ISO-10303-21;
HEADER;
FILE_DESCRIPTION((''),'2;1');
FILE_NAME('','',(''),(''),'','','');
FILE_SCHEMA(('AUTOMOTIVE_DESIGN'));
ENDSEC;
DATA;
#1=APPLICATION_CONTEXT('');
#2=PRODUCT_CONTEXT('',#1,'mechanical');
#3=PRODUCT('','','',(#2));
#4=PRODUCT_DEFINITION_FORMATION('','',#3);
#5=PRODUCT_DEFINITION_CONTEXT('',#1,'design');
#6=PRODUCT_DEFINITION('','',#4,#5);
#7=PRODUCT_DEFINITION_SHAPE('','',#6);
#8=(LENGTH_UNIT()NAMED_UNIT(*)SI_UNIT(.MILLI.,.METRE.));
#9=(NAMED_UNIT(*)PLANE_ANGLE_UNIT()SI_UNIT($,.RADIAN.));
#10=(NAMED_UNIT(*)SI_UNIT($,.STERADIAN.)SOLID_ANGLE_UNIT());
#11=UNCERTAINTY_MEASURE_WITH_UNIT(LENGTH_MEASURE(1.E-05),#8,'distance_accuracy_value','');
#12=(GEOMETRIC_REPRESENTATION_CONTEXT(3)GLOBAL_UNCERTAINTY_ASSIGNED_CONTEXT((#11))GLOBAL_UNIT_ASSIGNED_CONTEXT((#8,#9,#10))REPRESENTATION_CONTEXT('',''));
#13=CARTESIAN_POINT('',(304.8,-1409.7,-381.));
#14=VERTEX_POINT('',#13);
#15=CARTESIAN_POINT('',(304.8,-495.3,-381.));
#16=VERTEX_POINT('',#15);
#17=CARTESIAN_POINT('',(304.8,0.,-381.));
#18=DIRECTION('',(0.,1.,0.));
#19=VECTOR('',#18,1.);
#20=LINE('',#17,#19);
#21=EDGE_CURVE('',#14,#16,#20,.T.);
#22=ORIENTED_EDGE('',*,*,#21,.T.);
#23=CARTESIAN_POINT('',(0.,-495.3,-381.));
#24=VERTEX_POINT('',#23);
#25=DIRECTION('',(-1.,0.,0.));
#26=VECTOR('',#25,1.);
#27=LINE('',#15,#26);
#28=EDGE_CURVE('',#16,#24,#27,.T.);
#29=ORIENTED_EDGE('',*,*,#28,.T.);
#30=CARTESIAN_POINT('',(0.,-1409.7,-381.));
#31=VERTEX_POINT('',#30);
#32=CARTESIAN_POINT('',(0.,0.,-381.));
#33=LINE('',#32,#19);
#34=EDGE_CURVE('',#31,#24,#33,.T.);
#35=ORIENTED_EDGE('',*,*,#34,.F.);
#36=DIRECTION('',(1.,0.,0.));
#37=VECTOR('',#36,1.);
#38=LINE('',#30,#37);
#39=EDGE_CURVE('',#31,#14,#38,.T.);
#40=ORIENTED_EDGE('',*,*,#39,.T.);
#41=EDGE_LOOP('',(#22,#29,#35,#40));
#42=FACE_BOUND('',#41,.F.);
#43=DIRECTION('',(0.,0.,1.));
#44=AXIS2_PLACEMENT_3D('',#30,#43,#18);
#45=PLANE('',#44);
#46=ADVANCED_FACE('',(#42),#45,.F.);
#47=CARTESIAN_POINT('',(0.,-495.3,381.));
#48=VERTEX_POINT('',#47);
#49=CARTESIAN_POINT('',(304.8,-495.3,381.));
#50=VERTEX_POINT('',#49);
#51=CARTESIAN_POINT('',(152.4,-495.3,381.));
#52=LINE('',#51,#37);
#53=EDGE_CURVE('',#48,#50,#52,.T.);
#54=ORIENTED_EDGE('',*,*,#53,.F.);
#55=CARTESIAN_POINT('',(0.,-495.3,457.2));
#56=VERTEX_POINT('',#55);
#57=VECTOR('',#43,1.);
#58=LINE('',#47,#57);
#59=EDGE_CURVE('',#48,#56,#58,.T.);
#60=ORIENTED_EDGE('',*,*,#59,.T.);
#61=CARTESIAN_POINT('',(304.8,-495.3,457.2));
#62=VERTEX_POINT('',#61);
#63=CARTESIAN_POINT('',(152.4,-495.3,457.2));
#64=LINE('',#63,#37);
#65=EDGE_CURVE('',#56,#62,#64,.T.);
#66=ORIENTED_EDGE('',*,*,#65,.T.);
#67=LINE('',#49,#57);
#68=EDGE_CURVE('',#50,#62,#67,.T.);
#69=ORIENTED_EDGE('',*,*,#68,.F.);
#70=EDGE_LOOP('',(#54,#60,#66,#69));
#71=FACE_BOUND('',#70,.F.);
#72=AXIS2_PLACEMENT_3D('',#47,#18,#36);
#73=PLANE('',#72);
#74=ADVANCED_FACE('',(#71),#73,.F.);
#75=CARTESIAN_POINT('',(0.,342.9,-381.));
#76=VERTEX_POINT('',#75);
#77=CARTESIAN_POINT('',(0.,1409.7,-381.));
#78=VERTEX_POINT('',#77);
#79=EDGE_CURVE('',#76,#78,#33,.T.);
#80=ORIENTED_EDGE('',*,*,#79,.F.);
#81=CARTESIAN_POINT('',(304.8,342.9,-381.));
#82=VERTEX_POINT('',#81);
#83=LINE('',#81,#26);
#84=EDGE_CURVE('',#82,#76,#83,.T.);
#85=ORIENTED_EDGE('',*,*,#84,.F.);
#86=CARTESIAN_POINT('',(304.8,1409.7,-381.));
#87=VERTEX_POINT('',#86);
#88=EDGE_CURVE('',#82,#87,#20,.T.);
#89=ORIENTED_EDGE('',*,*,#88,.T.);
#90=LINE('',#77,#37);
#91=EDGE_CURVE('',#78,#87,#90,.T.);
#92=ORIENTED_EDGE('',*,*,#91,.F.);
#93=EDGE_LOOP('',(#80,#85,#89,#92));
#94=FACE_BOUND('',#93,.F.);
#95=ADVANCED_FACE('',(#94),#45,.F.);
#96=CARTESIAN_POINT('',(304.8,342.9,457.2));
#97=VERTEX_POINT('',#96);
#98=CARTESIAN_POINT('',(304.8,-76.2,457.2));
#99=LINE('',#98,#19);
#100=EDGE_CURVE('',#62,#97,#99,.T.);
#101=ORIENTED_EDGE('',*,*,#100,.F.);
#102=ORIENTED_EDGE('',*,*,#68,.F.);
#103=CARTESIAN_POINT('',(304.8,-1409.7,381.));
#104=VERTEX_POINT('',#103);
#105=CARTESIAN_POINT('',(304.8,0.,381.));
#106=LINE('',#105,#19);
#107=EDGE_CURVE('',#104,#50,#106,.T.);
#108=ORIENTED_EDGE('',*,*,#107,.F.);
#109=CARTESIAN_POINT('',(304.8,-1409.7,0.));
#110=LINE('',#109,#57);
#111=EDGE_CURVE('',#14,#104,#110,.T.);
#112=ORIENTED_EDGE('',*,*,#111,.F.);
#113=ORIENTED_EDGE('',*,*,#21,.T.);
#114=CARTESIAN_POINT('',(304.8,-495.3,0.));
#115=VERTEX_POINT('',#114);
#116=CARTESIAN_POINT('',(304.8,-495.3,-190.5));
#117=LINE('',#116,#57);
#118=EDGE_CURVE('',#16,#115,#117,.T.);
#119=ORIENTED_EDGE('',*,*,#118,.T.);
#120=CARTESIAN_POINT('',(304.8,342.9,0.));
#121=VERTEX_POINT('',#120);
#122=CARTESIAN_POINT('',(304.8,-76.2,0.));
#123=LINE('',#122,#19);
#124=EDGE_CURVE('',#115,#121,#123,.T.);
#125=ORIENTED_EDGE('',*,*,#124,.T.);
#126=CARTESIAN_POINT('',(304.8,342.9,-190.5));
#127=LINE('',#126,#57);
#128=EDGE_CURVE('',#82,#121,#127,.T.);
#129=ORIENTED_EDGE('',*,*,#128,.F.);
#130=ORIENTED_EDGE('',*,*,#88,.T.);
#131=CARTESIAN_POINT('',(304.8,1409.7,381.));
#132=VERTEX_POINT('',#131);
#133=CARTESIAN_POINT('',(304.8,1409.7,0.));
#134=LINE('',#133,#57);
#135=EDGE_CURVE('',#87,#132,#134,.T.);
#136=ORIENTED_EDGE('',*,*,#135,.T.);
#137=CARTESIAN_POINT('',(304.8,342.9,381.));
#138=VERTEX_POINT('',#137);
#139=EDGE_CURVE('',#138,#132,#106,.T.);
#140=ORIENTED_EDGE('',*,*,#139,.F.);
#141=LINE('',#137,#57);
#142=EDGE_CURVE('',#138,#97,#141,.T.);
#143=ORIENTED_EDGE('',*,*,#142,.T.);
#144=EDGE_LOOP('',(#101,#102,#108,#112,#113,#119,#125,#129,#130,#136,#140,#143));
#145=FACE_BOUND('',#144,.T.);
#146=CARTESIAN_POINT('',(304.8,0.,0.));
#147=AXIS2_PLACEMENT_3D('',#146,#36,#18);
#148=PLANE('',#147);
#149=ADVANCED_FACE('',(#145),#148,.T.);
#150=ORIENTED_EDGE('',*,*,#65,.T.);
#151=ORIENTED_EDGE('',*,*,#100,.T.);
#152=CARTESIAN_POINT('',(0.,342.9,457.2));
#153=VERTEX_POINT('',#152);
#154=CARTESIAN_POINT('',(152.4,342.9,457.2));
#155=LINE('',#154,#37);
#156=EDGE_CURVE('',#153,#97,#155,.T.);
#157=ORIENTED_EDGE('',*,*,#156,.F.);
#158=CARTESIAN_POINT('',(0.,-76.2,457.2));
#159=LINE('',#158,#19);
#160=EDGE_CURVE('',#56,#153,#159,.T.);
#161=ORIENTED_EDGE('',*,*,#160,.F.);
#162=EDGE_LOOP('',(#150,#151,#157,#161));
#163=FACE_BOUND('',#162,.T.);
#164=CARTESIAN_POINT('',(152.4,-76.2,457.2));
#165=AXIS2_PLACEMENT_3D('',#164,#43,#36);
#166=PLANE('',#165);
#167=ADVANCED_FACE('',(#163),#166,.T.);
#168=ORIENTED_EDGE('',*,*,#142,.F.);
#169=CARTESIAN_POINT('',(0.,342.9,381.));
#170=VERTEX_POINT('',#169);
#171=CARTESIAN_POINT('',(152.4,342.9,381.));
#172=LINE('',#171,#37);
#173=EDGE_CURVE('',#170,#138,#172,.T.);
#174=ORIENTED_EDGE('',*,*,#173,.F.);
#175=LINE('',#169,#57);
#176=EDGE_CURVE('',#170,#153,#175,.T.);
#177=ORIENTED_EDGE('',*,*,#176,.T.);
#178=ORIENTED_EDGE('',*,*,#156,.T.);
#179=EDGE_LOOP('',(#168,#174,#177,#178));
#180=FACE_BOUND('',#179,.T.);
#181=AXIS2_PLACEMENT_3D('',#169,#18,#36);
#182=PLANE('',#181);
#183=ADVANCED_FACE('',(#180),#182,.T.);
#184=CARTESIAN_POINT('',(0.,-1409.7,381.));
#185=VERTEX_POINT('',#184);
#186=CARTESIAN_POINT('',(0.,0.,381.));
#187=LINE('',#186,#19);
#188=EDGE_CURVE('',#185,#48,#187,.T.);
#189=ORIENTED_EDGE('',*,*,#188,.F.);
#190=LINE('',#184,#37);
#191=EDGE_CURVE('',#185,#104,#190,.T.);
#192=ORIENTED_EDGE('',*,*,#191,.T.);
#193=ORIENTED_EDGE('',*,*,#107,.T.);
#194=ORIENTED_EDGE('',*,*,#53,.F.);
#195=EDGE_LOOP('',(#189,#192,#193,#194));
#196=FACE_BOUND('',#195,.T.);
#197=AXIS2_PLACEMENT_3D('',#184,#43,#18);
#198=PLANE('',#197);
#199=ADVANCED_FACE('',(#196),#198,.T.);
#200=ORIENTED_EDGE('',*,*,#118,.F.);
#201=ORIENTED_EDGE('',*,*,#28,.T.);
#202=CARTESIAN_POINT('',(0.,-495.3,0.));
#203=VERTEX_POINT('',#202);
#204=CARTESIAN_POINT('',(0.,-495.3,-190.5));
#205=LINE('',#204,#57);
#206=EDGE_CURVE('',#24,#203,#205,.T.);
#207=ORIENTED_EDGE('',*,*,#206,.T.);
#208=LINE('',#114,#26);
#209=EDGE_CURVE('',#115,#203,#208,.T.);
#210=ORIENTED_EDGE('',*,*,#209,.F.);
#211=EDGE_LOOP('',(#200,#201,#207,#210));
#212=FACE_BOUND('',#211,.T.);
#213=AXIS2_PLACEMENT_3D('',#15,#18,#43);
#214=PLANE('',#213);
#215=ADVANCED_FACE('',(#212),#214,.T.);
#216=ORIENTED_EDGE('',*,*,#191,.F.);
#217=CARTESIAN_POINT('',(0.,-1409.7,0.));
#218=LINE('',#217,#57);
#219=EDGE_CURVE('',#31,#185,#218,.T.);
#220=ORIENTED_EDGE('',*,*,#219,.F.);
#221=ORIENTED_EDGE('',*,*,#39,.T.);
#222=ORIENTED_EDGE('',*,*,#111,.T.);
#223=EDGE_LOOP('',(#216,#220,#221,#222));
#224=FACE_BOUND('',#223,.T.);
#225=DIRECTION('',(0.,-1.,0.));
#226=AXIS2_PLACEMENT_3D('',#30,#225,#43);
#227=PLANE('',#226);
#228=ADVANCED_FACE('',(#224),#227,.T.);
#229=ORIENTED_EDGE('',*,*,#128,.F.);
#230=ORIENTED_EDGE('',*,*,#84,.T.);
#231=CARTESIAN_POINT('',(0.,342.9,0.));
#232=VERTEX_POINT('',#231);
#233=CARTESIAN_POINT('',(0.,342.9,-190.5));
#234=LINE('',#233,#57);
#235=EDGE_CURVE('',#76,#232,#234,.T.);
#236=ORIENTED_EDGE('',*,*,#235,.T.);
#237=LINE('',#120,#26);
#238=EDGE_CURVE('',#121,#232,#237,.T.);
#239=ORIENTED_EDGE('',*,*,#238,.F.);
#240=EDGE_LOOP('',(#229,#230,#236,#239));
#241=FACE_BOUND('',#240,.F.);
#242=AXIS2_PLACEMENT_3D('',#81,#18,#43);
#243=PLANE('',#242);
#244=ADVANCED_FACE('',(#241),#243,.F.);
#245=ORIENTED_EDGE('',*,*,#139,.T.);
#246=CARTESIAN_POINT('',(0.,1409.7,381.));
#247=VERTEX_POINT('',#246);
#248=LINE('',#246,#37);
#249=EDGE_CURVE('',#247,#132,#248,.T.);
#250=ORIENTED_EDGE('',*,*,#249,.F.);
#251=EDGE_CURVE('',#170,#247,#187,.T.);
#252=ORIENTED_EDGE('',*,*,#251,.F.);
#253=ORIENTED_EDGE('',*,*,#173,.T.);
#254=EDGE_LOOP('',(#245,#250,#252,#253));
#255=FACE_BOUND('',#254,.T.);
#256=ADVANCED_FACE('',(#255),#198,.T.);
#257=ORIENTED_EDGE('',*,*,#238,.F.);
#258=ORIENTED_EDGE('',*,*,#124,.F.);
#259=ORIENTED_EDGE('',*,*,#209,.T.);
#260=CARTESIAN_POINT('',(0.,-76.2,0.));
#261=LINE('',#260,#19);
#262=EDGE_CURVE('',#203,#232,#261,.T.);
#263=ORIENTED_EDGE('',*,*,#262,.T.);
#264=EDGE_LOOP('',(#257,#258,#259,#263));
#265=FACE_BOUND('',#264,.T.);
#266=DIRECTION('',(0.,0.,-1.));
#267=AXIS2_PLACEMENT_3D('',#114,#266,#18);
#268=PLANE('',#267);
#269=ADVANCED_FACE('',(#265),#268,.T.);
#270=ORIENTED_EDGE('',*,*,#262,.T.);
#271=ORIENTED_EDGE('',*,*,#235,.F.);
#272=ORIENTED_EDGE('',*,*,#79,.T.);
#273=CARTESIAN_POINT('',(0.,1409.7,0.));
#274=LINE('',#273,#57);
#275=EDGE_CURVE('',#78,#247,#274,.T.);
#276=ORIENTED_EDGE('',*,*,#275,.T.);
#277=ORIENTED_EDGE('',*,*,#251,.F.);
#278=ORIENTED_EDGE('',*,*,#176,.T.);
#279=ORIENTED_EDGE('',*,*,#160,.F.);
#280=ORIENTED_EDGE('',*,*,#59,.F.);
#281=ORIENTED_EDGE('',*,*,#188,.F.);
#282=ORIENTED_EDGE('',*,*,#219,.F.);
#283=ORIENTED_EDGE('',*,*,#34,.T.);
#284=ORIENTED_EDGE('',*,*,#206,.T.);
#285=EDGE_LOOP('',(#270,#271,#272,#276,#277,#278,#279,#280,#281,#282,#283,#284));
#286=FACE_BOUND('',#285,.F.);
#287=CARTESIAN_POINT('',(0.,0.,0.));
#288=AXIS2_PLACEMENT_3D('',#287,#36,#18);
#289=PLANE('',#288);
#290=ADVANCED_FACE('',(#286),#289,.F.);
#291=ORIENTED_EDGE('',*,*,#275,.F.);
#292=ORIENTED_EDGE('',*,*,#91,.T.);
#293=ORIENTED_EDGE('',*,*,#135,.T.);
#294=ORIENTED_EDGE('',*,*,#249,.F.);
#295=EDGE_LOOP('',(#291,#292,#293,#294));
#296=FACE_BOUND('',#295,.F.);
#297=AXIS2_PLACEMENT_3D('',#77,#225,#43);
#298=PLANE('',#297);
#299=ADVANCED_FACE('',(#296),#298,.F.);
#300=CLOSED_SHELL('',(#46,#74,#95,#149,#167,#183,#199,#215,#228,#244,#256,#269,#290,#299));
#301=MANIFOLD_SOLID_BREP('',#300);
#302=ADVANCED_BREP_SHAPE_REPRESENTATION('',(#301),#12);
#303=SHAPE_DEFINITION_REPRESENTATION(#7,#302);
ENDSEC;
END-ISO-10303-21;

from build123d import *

# Parameters (mm, degrees)
F0_W     = 2819.4
F0_H     = 762
F1_DEPTH = 304.8
F2_W     = 838.2
F2_H     = 381
F3_DEPTH = 304.8
F4_W     = 304.8
F4_H     = 838.2
F5_DEPTH = 76.2


with BuildPart() as f1:
    # F0 (on Right) → F1 (new body)
    with BuildSketch(Plane.YZ):
        Rectangle(F0_W, F0_H)
    extrude(amount=F1_DEPTH)

    # F2 (on face) → F3 (cut)
    with BuildSketch(Plane.YZ.offset(304.8)):
        with Locations((-76.2, -190.5)):
            Rectangle(F2_W, F2_H)
    extrude(amount=-F3_DEPTH, mode=Mode.SUBTRACT)

    # F4 (on face) → F5 (join)
    with BuildSketch(Plane.XY.offset(381)):
        with Locations((152.4, -76.2)):
            Rectangle(F4_W, F4_H)
    extrude(amount=F5_DEPTH)


solid = f1.part
